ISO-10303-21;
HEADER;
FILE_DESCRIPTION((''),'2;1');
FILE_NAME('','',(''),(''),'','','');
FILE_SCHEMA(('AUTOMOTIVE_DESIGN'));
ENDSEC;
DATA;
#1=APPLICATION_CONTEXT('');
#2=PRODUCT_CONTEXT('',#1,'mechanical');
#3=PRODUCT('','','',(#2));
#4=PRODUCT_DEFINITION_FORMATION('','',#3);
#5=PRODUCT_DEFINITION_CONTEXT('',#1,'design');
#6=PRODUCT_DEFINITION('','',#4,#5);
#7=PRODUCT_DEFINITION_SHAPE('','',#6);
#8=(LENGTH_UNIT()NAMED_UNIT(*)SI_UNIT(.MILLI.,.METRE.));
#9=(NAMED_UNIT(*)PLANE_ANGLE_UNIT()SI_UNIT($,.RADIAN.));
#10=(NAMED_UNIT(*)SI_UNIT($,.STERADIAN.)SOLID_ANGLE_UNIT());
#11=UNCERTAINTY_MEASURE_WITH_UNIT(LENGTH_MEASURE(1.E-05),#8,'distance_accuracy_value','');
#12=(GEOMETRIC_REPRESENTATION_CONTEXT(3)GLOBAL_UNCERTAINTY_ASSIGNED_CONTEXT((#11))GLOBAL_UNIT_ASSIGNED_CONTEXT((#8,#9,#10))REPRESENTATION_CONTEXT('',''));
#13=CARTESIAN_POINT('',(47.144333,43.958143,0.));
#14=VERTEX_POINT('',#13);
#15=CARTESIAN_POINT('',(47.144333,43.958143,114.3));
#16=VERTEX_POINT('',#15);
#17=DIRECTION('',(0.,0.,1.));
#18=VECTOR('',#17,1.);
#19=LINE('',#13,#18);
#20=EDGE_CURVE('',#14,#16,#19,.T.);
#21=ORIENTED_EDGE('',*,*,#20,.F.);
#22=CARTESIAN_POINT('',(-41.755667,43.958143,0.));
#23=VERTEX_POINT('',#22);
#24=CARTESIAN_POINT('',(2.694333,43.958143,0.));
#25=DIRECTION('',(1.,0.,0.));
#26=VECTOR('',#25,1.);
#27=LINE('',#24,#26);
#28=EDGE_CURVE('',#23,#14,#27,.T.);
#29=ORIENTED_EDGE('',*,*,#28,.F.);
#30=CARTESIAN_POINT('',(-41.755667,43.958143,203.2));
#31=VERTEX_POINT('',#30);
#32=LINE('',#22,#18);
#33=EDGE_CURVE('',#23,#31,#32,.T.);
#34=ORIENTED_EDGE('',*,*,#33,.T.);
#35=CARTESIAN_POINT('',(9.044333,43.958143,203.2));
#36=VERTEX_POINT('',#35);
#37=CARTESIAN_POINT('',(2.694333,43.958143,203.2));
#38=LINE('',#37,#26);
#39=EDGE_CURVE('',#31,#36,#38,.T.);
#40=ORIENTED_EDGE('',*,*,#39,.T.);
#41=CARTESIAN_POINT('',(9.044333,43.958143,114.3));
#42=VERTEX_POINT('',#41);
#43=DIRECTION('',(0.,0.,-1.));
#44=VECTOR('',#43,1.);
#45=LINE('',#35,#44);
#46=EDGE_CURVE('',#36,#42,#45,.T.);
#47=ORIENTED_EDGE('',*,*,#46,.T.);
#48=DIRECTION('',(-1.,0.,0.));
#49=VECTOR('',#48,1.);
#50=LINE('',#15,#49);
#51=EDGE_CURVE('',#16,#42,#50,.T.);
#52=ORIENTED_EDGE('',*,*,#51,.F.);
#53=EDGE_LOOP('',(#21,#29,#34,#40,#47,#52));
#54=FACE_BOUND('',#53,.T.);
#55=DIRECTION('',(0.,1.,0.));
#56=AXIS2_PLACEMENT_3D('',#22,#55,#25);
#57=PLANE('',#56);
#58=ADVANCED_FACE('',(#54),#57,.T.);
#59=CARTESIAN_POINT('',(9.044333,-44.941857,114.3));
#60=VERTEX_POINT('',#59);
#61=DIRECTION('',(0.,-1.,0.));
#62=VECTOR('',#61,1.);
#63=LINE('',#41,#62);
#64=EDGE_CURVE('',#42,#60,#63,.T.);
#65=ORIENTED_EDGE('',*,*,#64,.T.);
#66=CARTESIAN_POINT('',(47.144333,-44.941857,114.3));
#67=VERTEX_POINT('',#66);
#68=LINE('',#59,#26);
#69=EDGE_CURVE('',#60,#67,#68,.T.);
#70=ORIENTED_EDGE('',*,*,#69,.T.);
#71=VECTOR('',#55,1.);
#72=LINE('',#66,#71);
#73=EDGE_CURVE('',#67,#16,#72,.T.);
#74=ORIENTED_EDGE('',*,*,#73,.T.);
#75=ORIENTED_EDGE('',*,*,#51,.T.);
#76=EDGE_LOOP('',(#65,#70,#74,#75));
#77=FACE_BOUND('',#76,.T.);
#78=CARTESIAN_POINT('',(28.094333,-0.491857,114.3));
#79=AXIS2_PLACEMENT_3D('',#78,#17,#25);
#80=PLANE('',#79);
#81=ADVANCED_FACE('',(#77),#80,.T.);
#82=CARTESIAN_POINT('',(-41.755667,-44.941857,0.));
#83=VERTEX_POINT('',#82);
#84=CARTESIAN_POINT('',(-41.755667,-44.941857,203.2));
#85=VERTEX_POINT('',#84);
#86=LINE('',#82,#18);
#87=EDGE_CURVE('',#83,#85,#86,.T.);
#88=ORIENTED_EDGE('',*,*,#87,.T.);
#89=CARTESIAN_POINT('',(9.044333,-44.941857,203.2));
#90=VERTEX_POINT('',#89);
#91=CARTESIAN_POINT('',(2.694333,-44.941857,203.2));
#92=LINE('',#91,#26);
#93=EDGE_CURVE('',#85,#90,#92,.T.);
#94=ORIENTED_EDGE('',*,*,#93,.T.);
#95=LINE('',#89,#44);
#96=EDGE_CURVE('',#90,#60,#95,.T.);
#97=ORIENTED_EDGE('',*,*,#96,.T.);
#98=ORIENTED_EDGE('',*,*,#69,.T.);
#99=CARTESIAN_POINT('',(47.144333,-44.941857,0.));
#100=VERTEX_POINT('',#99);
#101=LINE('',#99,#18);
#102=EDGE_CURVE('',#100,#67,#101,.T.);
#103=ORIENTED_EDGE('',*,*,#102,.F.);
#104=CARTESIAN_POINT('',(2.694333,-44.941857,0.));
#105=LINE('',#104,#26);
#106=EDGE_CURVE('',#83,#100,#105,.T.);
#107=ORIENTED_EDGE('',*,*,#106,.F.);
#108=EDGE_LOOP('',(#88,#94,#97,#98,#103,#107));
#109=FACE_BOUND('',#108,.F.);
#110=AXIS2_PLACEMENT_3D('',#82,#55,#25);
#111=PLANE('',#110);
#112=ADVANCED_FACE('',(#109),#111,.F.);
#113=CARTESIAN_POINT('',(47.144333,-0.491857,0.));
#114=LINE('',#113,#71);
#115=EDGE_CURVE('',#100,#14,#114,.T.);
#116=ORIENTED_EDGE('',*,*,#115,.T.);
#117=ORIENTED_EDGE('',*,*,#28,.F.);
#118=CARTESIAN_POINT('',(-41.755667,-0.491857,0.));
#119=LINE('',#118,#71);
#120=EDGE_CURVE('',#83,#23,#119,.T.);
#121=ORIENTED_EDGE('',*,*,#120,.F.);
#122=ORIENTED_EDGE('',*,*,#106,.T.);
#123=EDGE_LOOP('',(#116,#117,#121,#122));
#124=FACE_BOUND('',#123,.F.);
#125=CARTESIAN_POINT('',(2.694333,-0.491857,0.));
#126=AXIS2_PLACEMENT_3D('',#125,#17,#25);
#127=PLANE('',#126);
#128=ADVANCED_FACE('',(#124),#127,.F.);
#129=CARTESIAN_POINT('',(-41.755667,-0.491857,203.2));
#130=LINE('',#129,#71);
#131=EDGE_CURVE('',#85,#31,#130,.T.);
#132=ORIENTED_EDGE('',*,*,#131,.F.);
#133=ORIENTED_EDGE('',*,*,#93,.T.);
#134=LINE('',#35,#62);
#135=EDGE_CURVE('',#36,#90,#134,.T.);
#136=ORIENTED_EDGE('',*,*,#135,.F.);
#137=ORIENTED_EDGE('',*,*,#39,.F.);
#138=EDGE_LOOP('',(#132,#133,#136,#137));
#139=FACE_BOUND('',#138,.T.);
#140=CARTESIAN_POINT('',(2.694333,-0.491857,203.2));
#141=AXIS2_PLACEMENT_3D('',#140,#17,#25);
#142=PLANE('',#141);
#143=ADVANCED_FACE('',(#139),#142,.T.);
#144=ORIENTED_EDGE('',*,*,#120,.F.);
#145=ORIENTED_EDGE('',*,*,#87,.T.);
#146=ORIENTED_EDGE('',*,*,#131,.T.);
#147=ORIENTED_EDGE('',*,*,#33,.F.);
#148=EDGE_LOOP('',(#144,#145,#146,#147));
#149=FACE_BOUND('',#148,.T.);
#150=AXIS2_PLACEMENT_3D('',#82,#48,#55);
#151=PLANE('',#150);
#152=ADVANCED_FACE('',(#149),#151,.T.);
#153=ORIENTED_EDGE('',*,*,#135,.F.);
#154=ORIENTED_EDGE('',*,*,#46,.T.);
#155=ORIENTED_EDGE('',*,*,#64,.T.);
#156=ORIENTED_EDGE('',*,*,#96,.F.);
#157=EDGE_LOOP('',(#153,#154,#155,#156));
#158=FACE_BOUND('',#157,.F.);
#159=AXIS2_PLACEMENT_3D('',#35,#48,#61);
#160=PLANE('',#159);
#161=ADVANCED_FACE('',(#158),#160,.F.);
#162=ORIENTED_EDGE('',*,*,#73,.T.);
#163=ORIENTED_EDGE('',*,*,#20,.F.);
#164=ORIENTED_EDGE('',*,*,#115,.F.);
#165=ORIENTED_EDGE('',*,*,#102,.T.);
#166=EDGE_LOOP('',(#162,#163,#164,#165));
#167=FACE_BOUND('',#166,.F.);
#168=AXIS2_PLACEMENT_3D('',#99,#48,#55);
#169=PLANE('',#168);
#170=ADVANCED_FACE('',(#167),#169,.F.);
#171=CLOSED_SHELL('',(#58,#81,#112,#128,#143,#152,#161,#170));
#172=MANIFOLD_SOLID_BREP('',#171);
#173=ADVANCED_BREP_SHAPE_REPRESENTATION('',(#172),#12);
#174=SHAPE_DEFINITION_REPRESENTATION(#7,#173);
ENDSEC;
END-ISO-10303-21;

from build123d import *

# Parameters (mm, degrees)
F0_W     = 88.9
F0_H     = 88.9
F1_DEPTH = 203.2
F3_DEPTH = 88.9


with BuildPart() as f1:
    # F0 (on Top) → F1 (new body)
    with BuildSketch(Plane.XY):
        with Locations((2.694333, -0.491857)):
            Rectangle(F0_W, F0_H)
    extrude(amount=F1_DEPTH)

    # F2 (on face) → F3 (cut)
    with BuildSketch(Plane.XY.offset(203.2)):
        Polygon((47.144333, 43.958143), (9.044333, 43.958143), (9.044333, 5.858143), (9.044333, -44.941857), (47.144333, -44.941857), (47.144333, 5.858143), align=None)
    extrude(amount=-F3_DEPTH, mode=Mode.SUBTRACT)


solid = f1.part
